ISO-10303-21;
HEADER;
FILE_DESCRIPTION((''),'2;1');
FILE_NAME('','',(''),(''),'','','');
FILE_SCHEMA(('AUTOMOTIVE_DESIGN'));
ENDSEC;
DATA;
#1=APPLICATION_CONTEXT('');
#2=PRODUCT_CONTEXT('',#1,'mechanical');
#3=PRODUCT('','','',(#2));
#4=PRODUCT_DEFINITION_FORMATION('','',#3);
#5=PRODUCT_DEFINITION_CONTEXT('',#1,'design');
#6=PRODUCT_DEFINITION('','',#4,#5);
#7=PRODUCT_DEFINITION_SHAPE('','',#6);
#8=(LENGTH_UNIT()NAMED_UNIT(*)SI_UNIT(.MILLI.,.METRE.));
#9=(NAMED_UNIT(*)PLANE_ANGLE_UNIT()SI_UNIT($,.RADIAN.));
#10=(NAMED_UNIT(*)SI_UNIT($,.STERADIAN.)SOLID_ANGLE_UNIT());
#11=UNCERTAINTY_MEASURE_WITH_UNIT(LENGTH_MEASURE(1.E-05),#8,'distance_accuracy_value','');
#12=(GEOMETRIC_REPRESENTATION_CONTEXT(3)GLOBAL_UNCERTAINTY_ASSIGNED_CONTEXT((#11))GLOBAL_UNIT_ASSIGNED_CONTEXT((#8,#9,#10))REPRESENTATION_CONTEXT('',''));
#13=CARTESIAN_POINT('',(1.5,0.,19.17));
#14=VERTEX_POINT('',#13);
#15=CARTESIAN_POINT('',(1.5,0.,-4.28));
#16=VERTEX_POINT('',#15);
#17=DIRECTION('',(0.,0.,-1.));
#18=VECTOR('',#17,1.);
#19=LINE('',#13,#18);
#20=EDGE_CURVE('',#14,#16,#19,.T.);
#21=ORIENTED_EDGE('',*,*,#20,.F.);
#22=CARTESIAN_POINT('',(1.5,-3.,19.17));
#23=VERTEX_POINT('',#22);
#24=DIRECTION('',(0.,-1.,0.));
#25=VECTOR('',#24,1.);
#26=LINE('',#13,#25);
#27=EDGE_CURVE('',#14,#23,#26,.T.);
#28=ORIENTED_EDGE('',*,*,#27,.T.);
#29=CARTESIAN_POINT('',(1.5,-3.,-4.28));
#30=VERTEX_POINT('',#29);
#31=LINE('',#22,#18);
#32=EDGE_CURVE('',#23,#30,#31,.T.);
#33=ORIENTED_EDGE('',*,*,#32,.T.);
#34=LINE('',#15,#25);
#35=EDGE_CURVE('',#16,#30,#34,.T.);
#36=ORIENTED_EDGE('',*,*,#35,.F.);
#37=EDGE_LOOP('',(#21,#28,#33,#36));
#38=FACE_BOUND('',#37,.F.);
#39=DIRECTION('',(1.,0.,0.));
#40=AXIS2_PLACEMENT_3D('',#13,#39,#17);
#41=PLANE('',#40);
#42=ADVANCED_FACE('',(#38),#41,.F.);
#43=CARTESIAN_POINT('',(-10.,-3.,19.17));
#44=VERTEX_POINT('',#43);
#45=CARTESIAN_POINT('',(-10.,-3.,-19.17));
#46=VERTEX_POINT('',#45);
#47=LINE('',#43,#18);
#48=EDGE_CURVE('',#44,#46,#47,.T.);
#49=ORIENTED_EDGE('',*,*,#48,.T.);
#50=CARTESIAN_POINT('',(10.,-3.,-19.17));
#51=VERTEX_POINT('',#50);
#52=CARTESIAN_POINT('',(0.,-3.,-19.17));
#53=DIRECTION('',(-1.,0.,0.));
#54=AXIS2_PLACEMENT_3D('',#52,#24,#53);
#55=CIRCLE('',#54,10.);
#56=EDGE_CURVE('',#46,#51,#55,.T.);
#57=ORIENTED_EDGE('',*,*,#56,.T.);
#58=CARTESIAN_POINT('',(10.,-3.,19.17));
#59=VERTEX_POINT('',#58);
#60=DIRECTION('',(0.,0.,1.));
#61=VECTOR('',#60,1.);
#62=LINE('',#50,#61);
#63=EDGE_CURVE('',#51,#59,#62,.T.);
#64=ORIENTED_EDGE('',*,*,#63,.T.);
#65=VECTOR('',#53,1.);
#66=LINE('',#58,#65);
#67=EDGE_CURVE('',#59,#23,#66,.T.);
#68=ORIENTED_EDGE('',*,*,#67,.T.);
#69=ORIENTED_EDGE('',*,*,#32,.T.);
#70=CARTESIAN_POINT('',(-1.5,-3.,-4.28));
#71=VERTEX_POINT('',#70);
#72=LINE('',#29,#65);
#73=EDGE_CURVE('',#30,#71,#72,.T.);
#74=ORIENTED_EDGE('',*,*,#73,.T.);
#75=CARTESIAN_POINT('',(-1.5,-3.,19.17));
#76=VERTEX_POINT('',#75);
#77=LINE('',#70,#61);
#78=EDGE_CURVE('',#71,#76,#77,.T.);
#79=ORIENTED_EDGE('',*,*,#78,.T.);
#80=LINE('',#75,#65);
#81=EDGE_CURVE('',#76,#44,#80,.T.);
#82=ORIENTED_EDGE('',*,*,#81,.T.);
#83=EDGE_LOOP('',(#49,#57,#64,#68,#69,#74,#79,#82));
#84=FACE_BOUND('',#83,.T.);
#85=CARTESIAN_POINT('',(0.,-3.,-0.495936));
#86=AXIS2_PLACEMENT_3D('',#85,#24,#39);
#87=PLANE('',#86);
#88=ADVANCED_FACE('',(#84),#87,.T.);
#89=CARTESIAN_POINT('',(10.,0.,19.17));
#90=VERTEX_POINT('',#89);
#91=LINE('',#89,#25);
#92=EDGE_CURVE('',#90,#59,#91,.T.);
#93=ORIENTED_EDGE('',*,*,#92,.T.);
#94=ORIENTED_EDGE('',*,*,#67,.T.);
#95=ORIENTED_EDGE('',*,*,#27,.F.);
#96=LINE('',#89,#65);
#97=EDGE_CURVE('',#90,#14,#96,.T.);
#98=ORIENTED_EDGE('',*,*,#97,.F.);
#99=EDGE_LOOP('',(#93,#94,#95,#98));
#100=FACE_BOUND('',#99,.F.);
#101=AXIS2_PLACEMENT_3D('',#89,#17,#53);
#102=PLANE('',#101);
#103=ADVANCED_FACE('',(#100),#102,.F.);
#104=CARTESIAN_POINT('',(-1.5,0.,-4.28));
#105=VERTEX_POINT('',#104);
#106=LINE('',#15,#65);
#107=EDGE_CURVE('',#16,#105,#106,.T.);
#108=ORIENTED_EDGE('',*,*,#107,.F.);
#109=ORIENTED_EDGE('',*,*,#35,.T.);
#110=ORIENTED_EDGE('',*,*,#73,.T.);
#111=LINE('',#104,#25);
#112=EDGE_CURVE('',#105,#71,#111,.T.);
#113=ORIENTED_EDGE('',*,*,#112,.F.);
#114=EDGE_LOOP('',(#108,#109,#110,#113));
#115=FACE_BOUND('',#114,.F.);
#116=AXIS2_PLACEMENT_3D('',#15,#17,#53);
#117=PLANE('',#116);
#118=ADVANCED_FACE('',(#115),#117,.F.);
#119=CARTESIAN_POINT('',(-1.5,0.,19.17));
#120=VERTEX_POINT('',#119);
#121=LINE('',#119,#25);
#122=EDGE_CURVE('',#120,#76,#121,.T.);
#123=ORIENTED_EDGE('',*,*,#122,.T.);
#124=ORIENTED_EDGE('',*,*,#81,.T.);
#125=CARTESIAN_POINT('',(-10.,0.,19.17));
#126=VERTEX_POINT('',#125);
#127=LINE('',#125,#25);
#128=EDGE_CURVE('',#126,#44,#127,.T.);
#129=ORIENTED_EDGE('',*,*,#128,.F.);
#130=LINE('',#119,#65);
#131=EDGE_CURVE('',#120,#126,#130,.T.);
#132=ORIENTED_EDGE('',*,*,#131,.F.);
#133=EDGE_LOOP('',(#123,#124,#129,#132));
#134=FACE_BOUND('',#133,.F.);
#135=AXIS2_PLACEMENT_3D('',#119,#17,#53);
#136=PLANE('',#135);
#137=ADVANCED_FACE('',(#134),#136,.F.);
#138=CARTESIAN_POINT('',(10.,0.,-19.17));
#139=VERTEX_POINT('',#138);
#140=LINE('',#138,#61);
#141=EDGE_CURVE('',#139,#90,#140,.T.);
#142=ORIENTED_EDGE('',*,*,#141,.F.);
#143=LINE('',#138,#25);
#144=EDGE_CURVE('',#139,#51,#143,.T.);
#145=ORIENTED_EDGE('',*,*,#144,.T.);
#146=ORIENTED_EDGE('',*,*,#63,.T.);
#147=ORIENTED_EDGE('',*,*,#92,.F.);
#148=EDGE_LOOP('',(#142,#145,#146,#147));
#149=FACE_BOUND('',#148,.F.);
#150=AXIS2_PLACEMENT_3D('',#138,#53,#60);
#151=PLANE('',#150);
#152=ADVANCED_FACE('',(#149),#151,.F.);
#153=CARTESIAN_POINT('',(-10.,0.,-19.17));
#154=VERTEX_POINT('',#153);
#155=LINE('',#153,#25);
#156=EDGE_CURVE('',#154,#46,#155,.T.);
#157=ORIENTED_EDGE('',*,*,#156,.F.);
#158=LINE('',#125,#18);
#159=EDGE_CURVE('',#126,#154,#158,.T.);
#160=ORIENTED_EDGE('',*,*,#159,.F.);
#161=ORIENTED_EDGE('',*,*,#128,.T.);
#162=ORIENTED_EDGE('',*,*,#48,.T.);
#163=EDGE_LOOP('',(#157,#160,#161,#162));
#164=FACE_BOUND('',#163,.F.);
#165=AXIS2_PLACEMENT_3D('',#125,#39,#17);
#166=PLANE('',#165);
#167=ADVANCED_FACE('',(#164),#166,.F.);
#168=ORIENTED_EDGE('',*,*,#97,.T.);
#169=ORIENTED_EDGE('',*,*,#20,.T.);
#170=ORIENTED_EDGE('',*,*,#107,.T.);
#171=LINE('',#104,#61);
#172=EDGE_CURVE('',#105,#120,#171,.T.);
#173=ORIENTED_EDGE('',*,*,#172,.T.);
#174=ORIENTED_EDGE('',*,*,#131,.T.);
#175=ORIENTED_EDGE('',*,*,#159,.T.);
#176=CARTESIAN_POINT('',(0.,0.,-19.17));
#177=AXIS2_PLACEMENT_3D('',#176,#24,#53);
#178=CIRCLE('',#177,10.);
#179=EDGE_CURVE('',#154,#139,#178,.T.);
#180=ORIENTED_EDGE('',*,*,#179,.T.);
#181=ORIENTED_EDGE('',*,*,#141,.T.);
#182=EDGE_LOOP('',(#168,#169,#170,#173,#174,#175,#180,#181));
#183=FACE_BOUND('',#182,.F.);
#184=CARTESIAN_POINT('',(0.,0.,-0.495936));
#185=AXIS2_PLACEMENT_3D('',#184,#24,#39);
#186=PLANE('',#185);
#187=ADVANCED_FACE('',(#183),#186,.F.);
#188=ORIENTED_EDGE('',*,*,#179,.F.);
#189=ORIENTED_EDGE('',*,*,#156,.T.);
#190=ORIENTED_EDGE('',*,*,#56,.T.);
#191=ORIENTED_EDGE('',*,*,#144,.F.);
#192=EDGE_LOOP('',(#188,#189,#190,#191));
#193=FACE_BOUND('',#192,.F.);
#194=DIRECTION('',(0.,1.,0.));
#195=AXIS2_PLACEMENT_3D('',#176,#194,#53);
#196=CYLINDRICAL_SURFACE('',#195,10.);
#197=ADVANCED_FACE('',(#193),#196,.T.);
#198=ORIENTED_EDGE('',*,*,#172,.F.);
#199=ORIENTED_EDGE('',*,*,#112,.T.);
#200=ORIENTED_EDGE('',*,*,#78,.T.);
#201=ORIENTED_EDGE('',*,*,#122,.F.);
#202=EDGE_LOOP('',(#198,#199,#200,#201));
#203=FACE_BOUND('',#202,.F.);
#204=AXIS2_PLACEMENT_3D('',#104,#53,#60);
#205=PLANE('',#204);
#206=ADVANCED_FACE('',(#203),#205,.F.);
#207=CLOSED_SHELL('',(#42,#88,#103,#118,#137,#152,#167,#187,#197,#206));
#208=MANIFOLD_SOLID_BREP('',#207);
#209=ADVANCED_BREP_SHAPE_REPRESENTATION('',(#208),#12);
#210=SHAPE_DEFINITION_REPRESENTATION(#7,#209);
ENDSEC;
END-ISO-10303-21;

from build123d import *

# Parameters (mm, degrees)
F1_DEPTH = 3


with BuildPart() as f1:
    # F0 (on Front) → F1 (new body)
    with BuildSketch(Plane.XZ):
        with BuildLine():
            Line((10, -19.17), (10, 19.17))
            Line((10, 19.17), (1.5, 19.17))
            Line((1.5, 19.17), (1.5, -4.28))
            Line((1.5, -4.28), (-1.5, -4.28))
            Line((-1.5, -4.28), (-1.5, 19.17))
            Line((-1.5, 19.17), (-10, 19.17))
            Line((-10, 19.17), (-10, -19.17))
            ThreePointArc((-10, -19.17), (0, -29.17), (10, -19.17))
        make_face()
    extrude(amount=F1_DEPTH)


solid = f1.part
